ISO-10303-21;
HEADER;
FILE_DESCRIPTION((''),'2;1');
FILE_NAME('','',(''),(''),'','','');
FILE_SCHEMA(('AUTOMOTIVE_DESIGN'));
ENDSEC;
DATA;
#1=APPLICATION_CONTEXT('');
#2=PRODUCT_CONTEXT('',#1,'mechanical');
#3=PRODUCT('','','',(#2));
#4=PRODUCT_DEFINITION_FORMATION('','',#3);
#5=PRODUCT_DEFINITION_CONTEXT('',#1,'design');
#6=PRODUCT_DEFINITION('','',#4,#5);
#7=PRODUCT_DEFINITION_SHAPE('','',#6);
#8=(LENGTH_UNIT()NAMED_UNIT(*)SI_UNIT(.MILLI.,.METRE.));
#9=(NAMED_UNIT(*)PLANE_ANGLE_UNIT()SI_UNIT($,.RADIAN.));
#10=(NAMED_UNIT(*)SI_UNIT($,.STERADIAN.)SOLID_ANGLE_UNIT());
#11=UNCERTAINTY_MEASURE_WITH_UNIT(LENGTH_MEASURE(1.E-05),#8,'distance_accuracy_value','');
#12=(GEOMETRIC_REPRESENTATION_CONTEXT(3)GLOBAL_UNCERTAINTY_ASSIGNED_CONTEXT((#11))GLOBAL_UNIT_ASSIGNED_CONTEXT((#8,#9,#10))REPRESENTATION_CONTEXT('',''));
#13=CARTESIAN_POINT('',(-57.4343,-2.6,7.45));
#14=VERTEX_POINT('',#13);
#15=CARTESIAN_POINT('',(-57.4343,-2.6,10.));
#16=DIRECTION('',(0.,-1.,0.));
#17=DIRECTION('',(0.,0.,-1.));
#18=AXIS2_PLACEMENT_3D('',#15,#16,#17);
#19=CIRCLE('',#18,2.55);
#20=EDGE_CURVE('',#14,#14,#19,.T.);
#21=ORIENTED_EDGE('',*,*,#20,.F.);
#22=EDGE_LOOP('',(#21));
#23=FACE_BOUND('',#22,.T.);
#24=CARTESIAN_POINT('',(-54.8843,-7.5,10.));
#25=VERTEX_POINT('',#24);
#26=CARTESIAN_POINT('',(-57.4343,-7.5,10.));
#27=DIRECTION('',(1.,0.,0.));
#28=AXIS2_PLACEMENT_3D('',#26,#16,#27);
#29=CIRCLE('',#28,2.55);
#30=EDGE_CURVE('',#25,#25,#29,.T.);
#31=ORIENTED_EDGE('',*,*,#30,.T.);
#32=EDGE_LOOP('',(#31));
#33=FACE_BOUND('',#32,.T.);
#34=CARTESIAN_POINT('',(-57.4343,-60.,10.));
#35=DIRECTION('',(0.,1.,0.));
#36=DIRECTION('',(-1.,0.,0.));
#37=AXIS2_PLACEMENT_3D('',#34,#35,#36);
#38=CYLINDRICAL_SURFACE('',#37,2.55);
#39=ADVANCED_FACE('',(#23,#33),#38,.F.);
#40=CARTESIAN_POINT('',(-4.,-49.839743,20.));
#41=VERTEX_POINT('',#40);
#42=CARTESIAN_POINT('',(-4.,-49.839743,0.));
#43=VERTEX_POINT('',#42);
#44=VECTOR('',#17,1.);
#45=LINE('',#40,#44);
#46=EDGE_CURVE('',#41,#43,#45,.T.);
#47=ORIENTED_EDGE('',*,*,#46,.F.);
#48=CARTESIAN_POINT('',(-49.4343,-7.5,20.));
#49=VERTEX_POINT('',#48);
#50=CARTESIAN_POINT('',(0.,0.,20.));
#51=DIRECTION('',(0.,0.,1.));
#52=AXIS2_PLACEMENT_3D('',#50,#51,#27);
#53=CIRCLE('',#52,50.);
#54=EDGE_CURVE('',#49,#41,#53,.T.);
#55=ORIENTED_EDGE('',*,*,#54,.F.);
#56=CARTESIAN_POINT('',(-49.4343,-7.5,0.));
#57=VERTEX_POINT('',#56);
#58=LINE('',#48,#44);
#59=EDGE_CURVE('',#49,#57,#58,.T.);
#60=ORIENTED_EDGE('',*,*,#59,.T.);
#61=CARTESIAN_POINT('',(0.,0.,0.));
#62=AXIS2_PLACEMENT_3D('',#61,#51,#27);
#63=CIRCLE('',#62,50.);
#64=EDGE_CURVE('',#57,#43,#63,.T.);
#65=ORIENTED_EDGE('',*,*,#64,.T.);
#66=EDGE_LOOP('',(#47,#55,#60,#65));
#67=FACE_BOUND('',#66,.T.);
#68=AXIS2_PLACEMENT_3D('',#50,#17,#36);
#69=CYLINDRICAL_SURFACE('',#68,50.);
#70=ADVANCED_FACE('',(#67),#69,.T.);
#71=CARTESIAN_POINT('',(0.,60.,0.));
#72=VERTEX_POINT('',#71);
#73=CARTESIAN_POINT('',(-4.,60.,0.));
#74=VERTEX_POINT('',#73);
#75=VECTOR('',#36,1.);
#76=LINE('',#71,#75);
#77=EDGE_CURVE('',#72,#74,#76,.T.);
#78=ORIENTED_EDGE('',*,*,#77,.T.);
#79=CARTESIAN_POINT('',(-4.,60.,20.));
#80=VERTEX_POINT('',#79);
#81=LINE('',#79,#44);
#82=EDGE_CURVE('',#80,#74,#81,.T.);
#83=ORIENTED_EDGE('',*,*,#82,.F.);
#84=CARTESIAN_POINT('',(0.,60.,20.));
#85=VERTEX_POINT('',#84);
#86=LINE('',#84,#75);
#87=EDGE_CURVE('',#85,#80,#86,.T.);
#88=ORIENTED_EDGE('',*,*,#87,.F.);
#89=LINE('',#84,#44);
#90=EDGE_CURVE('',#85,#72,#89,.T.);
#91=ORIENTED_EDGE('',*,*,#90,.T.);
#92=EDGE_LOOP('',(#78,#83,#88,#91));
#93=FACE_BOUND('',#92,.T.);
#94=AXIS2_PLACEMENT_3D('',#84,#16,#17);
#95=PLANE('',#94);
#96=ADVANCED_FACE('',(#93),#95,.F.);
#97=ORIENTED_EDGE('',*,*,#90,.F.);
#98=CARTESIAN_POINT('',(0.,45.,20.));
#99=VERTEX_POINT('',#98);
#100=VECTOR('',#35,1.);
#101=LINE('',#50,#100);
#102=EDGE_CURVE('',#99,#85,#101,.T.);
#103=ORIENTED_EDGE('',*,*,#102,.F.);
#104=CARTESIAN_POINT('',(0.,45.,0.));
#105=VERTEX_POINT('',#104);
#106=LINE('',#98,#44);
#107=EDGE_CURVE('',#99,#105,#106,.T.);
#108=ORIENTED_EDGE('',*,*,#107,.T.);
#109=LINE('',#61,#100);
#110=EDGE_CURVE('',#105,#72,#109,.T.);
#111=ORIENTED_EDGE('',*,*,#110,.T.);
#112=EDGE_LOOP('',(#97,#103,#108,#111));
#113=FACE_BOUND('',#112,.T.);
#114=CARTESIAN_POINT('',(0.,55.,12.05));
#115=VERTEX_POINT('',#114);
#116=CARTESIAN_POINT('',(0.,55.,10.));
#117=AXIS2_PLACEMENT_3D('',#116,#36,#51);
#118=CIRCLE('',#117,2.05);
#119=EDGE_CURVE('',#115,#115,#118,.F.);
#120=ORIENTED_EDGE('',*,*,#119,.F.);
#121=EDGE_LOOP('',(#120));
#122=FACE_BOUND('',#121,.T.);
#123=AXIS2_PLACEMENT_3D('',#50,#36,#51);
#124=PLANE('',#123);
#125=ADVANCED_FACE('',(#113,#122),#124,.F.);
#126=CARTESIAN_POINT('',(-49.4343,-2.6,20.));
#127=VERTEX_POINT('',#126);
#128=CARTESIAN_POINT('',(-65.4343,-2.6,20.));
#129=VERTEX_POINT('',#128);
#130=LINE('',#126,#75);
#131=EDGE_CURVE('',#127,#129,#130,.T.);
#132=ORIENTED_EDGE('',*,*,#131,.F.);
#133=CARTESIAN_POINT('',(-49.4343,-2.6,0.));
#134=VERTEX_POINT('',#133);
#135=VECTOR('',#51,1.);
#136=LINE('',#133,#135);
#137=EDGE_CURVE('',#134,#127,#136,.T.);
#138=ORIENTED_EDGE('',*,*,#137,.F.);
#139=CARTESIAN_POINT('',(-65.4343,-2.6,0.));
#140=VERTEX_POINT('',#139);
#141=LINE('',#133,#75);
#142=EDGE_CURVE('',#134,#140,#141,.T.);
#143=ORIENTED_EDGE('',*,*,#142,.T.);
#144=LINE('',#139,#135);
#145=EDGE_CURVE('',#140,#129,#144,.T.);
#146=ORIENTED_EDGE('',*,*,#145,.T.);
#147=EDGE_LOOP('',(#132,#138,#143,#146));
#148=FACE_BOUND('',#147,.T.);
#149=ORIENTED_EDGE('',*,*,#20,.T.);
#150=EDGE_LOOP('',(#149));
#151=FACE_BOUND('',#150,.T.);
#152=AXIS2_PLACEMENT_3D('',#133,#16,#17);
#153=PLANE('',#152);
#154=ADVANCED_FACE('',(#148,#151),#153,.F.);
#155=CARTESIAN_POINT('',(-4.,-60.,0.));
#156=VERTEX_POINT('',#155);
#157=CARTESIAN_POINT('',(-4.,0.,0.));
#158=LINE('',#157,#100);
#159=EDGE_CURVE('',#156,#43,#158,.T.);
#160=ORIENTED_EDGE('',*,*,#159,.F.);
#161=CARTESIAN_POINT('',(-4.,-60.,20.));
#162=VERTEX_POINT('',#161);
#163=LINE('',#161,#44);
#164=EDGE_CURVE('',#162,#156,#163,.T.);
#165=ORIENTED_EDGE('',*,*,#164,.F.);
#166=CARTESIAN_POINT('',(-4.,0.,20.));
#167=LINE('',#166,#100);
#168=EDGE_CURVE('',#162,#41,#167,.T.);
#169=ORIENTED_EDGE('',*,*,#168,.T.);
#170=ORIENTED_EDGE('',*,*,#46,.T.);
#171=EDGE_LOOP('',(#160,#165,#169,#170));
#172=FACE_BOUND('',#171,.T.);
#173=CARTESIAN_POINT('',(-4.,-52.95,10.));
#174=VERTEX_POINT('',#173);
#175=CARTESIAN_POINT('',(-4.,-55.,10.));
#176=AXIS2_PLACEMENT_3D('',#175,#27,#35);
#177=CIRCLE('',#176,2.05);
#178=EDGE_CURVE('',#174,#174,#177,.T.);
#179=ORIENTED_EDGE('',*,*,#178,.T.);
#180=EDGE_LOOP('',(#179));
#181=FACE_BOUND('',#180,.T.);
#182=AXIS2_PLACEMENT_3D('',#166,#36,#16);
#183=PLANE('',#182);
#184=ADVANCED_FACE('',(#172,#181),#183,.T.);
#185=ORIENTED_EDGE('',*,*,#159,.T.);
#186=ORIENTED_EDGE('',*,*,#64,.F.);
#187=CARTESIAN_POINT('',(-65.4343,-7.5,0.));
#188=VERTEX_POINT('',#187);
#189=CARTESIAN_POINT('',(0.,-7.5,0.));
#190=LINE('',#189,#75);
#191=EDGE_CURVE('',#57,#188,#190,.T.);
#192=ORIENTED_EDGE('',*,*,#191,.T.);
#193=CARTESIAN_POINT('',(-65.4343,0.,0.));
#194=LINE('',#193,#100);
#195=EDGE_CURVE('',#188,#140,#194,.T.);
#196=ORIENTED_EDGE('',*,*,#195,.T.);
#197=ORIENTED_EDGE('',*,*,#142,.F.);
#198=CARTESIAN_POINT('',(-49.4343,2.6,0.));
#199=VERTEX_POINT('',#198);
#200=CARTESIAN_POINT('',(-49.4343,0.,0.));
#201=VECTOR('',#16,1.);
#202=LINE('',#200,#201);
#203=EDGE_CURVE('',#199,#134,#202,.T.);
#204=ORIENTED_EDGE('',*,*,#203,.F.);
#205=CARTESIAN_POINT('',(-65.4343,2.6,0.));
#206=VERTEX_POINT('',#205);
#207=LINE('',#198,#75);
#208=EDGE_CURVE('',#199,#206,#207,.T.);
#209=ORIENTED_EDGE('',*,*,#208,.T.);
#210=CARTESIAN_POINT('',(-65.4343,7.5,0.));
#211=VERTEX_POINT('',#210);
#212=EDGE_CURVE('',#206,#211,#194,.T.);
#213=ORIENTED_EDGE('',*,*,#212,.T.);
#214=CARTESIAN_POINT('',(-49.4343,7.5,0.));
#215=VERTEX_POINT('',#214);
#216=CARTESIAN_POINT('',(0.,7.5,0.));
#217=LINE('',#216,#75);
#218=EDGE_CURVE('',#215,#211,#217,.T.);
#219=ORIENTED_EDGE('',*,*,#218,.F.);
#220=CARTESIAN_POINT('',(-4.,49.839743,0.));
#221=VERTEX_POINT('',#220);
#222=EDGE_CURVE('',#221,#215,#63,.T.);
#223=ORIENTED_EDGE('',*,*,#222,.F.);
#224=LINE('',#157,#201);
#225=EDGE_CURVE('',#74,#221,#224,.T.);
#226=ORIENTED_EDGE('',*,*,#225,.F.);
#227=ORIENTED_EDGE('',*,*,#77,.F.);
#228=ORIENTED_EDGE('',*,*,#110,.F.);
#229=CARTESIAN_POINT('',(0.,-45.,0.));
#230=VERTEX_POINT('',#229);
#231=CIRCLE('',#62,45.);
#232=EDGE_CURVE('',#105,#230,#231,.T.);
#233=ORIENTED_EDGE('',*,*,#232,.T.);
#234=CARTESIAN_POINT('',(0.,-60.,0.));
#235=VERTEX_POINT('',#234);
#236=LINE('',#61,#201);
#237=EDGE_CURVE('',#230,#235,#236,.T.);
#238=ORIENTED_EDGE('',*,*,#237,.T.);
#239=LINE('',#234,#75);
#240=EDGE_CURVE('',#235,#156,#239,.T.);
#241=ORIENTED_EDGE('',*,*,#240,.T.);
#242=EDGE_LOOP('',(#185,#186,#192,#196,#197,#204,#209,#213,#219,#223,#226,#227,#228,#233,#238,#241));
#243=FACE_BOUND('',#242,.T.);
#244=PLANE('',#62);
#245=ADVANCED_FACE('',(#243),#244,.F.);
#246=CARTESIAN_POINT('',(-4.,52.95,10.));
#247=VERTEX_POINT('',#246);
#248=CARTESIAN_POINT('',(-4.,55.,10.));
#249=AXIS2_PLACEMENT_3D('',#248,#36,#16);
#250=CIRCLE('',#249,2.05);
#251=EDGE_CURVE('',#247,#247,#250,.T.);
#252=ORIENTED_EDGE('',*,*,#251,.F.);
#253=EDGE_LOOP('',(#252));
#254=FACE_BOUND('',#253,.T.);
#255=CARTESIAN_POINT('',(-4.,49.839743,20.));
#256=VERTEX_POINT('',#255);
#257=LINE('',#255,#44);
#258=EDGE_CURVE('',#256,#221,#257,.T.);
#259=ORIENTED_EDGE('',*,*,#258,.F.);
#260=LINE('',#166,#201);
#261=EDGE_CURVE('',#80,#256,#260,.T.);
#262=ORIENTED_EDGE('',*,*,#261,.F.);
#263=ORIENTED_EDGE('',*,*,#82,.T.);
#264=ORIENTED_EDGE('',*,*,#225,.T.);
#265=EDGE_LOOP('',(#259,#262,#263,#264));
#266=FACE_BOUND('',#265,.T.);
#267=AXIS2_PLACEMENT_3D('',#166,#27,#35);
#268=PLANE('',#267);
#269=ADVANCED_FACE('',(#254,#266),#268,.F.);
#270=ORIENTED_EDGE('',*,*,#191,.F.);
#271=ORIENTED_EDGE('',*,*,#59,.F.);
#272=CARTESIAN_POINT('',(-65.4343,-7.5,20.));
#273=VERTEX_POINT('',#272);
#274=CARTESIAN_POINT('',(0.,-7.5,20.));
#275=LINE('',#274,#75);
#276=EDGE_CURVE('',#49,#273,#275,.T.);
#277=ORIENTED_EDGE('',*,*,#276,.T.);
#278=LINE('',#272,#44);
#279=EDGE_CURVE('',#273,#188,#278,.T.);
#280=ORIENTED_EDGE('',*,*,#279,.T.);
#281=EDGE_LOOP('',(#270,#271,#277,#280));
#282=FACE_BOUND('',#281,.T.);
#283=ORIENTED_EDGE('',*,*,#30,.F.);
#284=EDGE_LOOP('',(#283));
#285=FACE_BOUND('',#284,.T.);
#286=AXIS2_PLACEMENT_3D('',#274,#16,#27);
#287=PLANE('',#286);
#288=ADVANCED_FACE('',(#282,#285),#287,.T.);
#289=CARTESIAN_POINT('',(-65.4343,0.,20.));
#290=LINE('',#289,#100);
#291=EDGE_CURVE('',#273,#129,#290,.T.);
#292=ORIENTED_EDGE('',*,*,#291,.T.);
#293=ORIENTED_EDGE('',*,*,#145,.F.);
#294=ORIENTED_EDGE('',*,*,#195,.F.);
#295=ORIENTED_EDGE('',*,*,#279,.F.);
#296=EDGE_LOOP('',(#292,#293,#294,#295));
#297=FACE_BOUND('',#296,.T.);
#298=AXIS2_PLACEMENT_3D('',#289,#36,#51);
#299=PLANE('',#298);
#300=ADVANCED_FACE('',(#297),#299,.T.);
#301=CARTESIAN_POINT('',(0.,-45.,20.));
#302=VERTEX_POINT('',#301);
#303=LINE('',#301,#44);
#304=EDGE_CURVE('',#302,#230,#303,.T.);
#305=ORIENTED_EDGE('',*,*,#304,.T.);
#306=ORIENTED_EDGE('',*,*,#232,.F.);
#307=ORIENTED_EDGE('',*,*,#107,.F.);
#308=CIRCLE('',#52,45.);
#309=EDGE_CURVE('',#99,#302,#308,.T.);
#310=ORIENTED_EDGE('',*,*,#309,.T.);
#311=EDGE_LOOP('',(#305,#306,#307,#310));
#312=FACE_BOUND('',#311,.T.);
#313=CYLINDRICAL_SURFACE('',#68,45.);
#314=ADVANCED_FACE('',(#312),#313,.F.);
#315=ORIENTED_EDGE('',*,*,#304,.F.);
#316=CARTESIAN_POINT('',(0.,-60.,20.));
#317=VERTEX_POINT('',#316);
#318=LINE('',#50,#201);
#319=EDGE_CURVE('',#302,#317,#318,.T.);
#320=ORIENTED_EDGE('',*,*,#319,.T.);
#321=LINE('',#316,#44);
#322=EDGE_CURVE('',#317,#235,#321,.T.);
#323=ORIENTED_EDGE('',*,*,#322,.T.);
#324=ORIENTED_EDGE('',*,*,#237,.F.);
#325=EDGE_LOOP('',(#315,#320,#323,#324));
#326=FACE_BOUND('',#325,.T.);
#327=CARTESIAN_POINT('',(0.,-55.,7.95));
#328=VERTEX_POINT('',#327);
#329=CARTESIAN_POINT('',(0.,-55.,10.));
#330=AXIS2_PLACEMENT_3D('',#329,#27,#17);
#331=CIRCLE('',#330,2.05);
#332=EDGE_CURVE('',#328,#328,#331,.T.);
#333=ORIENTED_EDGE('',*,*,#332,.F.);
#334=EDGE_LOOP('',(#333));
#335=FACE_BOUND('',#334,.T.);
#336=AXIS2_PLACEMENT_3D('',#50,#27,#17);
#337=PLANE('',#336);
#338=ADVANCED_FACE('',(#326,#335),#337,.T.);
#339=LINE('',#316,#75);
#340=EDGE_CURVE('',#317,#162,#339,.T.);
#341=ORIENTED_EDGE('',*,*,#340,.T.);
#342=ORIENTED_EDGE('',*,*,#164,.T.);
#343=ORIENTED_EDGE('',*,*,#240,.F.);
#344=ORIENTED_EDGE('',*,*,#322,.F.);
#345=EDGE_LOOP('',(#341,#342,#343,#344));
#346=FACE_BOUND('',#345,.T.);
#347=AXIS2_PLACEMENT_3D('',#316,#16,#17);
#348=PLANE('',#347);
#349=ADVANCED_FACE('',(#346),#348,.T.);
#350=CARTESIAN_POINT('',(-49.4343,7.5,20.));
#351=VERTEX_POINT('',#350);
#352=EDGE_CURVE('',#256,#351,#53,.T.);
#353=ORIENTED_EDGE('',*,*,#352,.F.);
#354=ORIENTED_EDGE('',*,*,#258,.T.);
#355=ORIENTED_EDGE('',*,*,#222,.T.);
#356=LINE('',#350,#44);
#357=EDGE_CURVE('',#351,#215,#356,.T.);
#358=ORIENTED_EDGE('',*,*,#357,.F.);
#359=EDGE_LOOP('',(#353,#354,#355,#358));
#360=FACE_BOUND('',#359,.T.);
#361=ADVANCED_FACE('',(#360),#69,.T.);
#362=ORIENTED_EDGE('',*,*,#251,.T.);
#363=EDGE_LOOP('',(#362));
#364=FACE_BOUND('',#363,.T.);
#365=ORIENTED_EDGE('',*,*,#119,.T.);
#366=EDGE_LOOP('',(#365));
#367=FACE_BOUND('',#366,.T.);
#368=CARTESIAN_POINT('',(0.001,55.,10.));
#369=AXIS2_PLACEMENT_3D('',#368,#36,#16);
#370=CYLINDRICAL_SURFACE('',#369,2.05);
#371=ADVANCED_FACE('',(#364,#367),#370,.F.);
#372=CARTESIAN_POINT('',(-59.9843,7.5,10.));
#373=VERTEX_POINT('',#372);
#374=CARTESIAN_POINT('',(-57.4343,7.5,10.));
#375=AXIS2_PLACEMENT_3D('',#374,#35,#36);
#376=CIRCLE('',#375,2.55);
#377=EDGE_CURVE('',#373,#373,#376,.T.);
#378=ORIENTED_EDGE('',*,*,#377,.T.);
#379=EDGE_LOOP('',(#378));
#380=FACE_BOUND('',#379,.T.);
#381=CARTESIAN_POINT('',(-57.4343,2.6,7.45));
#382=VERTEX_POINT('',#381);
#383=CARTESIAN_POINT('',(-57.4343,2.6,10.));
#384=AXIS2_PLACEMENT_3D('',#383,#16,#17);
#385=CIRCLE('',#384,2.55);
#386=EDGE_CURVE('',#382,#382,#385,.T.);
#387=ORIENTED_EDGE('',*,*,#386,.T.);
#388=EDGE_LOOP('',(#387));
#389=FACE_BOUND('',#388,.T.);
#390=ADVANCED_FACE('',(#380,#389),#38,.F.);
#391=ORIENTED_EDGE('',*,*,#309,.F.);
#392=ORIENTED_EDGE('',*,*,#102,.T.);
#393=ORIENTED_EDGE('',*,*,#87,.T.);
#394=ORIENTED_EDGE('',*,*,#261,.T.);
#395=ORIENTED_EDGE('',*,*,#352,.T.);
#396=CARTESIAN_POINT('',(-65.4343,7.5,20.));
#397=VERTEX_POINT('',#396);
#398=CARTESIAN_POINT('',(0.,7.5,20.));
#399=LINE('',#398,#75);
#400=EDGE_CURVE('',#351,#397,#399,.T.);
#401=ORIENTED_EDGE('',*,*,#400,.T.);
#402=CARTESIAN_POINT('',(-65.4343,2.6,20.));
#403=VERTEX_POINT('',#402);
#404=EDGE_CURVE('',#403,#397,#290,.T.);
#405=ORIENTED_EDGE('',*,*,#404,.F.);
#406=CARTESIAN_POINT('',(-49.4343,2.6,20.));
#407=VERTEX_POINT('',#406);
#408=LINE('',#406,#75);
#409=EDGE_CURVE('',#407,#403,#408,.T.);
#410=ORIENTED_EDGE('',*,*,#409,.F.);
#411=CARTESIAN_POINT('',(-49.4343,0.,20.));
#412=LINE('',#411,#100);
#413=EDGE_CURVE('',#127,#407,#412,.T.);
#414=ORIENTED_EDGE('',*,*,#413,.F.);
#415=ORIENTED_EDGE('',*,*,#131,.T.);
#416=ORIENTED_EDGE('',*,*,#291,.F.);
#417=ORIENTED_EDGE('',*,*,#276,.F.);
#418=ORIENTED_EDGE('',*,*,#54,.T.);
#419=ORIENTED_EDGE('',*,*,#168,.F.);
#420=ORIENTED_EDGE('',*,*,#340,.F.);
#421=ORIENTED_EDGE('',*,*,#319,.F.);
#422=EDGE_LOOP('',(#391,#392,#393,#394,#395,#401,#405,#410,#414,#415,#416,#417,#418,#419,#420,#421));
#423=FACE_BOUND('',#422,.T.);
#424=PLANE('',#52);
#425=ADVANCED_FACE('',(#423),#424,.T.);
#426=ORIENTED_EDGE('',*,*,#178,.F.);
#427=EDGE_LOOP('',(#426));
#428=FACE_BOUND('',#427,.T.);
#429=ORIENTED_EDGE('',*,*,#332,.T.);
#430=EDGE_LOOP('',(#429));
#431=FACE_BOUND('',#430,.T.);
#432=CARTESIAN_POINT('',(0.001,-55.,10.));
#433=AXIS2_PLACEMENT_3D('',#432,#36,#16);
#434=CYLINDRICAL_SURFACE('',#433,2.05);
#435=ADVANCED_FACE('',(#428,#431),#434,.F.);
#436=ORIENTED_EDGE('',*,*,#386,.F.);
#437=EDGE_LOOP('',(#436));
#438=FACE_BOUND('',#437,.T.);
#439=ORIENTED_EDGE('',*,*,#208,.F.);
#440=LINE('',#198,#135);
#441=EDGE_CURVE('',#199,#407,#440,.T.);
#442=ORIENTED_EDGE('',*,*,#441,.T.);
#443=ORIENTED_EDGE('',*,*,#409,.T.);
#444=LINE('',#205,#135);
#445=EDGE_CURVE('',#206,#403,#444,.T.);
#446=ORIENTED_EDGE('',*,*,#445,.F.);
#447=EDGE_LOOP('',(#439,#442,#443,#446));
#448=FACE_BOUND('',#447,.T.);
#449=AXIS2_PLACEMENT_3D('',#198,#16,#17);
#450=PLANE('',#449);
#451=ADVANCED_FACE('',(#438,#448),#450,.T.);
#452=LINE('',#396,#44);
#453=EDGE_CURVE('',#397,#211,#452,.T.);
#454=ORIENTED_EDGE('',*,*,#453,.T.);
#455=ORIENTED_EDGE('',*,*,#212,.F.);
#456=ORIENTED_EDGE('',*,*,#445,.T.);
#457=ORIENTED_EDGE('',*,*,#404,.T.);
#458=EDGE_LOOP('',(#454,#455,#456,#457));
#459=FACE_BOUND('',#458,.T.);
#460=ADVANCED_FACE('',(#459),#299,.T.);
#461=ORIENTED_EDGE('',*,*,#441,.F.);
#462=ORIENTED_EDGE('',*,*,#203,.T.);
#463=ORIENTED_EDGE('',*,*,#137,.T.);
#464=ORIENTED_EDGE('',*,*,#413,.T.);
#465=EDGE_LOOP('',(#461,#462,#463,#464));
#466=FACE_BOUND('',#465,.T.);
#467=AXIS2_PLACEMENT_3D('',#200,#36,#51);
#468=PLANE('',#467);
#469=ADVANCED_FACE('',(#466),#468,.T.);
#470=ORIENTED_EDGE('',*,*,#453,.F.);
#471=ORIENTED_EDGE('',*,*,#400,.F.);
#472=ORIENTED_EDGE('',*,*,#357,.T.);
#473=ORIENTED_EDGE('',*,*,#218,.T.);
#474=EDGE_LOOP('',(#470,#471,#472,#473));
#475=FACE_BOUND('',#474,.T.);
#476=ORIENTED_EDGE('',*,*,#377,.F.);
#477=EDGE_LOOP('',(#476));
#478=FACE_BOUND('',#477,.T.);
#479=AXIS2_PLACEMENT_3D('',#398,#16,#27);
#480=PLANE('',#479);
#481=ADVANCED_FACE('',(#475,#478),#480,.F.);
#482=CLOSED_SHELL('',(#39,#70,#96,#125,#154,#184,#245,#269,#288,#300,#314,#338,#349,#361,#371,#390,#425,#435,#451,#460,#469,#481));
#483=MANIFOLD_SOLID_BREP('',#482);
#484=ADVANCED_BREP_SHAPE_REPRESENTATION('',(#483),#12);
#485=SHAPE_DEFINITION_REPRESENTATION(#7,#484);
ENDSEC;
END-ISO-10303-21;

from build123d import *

# Parameters (mm, degrees)
BOSS_EXTRUDE1_DEPTH = 20
CUT_EXTRUDE1_REACH  = 90.171
SKETCH2_R           = 2.05
SKETCH3_W           = 20
SKETCH3_H           = 5.2
CUT_EXTRUDE2_DEPTH  = 16
SKETCH4_R           = 2.55
CUT_EXTRUDE3_DEPTH  = 97.113982306


with BuildPart() as part:
    # Sketch1 → Boss-Extrude1 (new body)
    with BuildSketch(Plane.XY):
        with BuildLine():
            ThreePointArc((0, -45), (-45, 0), (0, 45))
            Line((0, 45), (0, 60))
            Line((0, 60), (-4, 60))
            Line((-4, 60), (-4, 49.839743178))
            ThreePointArc((-4, 49.839743178), (-34.087674646, 36.579098366), (-49.434299833, 7.5))
            Line((-49.434299833, 7.5), (-65.434299833, 7.5))
            Line((-65.434299833, 7.5), (-65.434299833, -7.5))
            Line((-65.434299833, -7.5), (-49.434299833, -7.5))
            ThreePointArc((-49.434299833, -7.5), (-34.087674646, -36.579098366), (-4, -49.839743178))
            Line((-4, -49.839743178), (-4, -60))
            Line((-4, -60), (0, -60))
            Line((0, -60), (0, -45))
        make_face()
    extrude(amount=BOSS_EXTRUDE1_DEPTH)

    # Sketch2 → Cut-Extrude1 (cut, up to next)
    with BuildSketch(Plane.ZY.offset(4), mode=Mode.PRIVATE) as cut_extrude1_sk1:
        with Locations(Location((10, 55, 0), (0, 0, 270))):
            Circle(SKETCH2_R)
    cut_extrude1_tool1 = extrude(cut_extrude1_sk1.sketch, amount=-CUT_EXTRUDE1_REACH, mode=Mode.PRIVATE) & part.part
    cut_extrude1 = cut_extrude1_tool1.solids().sort_by_distance((-4, 55, 10))[0]
    add(cut_extrude1, mode=Mode.SUBTRACT)

    # Mirror1: Cut-Extrude1 across plane
    add(cut_extrude1.mirror(Plane.ZX), mode=Mode.SUBTRACT)

    # Sketch3 → Cut-Extrude2 (cut)
    with BuildSketch(Plane.ZY.offset(65.434299833)):
        with Locations((10, 0)):
            Rectangle(SKETCH3_W, SKETCH3_H)
    extrude(amount=-CUT_EXTRUDE2_DEPTH, mode=Mode.SUBTRACT)

    # Sketch4 → Cut-Extrude3 (cut, through all)
    with BuildSketch(Plane(origin=(0, 7.5, 0), x_dir=(1, 0, 0), z_dir=(0, 1, 0))):
        with Locations(Location((-57.434299833, -10, 0), (0, 0, 90))):
            Circle(SKETCH4_R)
    extrude(amount=-CUT_EXTRUDE3_DEPTH, mode=Mode.SUBTRACT)


solid = part.part
